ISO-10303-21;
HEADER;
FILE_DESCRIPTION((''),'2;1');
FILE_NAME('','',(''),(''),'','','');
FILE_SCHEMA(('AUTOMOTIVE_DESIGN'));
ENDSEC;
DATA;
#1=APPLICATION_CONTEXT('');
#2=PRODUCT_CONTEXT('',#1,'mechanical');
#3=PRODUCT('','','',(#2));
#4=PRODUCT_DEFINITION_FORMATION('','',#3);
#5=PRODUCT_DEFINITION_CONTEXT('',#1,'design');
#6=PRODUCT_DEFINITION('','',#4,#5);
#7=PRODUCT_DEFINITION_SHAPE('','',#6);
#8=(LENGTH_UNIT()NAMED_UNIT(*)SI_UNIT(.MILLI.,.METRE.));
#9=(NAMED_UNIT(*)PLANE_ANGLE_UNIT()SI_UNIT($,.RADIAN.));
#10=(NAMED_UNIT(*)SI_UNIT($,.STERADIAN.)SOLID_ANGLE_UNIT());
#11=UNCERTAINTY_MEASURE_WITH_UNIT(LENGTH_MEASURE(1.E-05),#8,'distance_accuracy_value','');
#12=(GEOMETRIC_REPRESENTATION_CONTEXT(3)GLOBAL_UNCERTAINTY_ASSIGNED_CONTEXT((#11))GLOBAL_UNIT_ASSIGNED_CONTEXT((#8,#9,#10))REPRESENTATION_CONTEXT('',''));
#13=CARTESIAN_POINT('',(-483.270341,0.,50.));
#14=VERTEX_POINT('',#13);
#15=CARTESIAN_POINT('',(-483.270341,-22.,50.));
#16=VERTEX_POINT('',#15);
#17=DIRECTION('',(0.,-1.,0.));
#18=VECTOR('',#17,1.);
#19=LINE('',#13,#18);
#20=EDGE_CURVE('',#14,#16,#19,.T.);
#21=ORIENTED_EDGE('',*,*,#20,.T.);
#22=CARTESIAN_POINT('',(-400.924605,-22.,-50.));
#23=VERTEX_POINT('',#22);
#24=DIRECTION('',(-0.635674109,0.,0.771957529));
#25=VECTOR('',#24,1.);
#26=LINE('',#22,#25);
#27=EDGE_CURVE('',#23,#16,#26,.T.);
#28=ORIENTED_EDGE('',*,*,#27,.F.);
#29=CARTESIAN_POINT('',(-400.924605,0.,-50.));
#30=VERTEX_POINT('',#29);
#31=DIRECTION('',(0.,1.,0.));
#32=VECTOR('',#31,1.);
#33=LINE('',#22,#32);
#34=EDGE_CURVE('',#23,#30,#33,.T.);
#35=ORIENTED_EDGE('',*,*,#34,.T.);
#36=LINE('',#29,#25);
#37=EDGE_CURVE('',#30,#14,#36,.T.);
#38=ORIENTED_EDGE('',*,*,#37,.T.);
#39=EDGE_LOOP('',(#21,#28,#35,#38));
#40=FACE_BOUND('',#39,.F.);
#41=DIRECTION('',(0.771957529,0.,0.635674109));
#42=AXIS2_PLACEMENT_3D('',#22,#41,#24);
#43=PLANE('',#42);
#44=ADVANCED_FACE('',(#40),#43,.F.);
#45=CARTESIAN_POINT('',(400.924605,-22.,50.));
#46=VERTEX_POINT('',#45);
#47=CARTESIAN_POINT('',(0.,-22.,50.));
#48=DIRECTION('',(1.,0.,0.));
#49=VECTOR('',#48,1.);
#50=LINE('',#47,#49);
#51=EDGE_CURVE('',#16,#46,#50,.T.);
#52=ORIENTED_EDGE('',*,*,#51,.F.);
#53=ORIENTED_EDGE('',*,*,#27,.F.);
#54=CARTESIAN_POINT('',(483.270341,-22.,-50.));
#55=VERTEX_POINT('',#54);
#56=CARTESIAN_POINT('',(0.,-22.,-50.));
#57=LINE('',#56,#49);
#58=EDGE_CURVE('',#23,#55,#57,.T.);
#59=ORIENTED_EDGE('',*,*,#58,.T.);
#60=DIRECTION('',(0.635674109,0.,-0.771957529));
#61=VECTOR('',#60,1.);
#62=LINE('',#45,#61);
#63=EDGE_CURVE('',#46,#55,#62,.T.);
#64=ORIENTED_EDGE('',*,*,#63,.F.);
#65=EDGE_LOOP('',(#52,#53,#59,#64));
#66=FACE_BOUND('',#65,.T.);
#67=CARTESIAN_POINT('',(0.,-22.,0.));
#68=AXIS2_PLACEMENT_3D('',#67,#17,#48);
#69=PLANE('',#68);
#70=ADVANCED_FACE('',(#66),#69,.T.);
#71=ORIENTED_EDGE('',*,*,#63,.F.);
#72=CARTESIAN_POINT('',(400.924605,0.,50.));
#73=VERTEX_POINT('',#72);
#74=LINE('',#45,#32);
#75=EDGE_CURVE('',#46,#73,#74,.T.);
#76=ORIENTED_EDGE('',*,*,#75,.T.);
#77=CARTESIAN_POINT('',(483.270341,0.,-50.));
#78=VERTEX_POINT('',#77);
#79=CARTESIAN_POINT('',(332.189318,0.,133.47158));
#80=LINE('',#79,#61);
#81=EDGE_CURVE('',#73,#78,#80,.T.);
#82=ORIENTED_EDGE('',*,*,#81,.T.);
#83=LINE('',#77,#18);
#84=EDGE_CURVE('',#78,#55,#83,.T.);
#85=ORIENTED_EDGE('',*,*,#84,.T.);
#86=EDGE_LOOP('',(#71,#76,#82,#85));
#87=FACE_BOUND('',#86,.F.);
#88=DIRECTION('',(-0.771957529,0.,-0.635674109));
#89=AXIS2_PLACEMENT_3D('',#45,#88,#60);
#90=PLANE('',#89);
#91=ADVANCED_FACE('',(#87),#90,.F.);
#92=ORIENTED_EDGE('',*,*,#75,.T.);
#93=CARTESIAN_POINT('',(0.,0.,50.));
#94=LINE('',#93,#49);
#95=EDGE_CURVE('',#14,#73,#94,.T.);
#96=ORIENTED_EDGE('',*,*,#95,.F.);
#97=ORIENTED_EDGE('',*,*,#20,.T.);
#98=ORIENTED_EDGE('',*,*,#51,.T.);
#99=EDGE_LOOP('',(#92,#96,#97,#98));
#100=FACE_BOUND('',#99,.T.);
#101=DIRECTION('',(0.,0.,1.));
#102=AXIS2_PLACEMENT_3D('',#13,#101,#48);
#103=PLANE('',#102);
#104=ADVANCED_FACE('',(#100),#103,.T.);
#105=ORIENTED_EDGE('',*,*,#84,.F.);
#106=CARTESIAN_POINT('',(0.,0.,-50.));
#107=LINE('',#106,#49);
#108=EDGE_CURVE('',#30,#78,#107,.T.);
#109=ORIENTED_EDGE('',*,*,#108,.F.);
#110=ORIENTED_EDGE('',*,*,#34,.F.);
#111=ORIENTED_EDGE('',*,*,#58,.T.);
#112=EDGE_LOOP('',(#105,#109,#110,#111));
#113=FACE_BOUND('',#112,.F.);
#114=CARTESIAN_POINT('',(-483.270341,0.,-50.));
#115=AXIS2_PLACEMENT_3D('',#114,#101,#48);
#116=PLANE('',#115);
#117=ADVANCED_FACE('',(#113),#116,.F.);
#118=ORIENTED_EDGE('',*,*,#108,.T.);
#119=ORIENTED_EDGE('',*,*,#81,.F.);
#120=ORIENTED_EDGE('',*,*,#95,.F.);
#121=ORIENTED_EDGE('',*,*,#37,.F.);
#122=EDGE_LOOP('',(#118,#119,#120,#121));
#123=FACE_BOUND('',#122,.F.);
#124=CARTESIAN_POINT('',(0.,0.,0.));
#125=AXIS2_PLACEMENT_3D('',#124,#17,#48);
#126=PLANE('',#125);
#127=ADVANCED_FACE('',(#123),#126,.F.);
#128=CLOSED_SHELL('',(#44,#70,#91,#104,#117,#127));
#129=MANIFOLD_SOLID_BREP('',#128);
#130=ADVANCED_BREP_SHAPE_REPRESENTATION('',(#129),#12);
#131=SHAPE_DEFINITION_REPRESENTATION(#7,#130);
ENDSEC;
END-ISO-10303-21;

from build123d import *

# Parameters (mm, degrees)
F0_W     = 966.540682
F0_H     = 100
F1_DEPTH = 22
F3_DEPTH = 22
F5_DEPTH = 25


with BuildPart() as f1:
    # F0 (on Front) → F1 (new body)
    with BuildSketch(Plane.XZ):
        Rectangle(F0_W, F0_H)
    extrude(amount=F1_DEPTH)

    # F2 (on face) → F3 (cut)
    with BuildSketch(Plane.XZ.offset(22)):
        Polygon((-400.924605, -50), (-483.270341, 50), (-483.270341, -50), align=None)
    extrude(amount=-F3_DEPTH, mode=Mode.SUBTRACT)

    # F4 (on face) → F5 (cut)
    with BuildSketch(Plane.XZ.offset(22)):
        Polygon((483.270341, -50), (483.270341, 50), (400.924605, 50), align=None)
    extrude(amount=-F5_DEPTH, mode=Mode.SUBTRACT)


solid = f1.part
